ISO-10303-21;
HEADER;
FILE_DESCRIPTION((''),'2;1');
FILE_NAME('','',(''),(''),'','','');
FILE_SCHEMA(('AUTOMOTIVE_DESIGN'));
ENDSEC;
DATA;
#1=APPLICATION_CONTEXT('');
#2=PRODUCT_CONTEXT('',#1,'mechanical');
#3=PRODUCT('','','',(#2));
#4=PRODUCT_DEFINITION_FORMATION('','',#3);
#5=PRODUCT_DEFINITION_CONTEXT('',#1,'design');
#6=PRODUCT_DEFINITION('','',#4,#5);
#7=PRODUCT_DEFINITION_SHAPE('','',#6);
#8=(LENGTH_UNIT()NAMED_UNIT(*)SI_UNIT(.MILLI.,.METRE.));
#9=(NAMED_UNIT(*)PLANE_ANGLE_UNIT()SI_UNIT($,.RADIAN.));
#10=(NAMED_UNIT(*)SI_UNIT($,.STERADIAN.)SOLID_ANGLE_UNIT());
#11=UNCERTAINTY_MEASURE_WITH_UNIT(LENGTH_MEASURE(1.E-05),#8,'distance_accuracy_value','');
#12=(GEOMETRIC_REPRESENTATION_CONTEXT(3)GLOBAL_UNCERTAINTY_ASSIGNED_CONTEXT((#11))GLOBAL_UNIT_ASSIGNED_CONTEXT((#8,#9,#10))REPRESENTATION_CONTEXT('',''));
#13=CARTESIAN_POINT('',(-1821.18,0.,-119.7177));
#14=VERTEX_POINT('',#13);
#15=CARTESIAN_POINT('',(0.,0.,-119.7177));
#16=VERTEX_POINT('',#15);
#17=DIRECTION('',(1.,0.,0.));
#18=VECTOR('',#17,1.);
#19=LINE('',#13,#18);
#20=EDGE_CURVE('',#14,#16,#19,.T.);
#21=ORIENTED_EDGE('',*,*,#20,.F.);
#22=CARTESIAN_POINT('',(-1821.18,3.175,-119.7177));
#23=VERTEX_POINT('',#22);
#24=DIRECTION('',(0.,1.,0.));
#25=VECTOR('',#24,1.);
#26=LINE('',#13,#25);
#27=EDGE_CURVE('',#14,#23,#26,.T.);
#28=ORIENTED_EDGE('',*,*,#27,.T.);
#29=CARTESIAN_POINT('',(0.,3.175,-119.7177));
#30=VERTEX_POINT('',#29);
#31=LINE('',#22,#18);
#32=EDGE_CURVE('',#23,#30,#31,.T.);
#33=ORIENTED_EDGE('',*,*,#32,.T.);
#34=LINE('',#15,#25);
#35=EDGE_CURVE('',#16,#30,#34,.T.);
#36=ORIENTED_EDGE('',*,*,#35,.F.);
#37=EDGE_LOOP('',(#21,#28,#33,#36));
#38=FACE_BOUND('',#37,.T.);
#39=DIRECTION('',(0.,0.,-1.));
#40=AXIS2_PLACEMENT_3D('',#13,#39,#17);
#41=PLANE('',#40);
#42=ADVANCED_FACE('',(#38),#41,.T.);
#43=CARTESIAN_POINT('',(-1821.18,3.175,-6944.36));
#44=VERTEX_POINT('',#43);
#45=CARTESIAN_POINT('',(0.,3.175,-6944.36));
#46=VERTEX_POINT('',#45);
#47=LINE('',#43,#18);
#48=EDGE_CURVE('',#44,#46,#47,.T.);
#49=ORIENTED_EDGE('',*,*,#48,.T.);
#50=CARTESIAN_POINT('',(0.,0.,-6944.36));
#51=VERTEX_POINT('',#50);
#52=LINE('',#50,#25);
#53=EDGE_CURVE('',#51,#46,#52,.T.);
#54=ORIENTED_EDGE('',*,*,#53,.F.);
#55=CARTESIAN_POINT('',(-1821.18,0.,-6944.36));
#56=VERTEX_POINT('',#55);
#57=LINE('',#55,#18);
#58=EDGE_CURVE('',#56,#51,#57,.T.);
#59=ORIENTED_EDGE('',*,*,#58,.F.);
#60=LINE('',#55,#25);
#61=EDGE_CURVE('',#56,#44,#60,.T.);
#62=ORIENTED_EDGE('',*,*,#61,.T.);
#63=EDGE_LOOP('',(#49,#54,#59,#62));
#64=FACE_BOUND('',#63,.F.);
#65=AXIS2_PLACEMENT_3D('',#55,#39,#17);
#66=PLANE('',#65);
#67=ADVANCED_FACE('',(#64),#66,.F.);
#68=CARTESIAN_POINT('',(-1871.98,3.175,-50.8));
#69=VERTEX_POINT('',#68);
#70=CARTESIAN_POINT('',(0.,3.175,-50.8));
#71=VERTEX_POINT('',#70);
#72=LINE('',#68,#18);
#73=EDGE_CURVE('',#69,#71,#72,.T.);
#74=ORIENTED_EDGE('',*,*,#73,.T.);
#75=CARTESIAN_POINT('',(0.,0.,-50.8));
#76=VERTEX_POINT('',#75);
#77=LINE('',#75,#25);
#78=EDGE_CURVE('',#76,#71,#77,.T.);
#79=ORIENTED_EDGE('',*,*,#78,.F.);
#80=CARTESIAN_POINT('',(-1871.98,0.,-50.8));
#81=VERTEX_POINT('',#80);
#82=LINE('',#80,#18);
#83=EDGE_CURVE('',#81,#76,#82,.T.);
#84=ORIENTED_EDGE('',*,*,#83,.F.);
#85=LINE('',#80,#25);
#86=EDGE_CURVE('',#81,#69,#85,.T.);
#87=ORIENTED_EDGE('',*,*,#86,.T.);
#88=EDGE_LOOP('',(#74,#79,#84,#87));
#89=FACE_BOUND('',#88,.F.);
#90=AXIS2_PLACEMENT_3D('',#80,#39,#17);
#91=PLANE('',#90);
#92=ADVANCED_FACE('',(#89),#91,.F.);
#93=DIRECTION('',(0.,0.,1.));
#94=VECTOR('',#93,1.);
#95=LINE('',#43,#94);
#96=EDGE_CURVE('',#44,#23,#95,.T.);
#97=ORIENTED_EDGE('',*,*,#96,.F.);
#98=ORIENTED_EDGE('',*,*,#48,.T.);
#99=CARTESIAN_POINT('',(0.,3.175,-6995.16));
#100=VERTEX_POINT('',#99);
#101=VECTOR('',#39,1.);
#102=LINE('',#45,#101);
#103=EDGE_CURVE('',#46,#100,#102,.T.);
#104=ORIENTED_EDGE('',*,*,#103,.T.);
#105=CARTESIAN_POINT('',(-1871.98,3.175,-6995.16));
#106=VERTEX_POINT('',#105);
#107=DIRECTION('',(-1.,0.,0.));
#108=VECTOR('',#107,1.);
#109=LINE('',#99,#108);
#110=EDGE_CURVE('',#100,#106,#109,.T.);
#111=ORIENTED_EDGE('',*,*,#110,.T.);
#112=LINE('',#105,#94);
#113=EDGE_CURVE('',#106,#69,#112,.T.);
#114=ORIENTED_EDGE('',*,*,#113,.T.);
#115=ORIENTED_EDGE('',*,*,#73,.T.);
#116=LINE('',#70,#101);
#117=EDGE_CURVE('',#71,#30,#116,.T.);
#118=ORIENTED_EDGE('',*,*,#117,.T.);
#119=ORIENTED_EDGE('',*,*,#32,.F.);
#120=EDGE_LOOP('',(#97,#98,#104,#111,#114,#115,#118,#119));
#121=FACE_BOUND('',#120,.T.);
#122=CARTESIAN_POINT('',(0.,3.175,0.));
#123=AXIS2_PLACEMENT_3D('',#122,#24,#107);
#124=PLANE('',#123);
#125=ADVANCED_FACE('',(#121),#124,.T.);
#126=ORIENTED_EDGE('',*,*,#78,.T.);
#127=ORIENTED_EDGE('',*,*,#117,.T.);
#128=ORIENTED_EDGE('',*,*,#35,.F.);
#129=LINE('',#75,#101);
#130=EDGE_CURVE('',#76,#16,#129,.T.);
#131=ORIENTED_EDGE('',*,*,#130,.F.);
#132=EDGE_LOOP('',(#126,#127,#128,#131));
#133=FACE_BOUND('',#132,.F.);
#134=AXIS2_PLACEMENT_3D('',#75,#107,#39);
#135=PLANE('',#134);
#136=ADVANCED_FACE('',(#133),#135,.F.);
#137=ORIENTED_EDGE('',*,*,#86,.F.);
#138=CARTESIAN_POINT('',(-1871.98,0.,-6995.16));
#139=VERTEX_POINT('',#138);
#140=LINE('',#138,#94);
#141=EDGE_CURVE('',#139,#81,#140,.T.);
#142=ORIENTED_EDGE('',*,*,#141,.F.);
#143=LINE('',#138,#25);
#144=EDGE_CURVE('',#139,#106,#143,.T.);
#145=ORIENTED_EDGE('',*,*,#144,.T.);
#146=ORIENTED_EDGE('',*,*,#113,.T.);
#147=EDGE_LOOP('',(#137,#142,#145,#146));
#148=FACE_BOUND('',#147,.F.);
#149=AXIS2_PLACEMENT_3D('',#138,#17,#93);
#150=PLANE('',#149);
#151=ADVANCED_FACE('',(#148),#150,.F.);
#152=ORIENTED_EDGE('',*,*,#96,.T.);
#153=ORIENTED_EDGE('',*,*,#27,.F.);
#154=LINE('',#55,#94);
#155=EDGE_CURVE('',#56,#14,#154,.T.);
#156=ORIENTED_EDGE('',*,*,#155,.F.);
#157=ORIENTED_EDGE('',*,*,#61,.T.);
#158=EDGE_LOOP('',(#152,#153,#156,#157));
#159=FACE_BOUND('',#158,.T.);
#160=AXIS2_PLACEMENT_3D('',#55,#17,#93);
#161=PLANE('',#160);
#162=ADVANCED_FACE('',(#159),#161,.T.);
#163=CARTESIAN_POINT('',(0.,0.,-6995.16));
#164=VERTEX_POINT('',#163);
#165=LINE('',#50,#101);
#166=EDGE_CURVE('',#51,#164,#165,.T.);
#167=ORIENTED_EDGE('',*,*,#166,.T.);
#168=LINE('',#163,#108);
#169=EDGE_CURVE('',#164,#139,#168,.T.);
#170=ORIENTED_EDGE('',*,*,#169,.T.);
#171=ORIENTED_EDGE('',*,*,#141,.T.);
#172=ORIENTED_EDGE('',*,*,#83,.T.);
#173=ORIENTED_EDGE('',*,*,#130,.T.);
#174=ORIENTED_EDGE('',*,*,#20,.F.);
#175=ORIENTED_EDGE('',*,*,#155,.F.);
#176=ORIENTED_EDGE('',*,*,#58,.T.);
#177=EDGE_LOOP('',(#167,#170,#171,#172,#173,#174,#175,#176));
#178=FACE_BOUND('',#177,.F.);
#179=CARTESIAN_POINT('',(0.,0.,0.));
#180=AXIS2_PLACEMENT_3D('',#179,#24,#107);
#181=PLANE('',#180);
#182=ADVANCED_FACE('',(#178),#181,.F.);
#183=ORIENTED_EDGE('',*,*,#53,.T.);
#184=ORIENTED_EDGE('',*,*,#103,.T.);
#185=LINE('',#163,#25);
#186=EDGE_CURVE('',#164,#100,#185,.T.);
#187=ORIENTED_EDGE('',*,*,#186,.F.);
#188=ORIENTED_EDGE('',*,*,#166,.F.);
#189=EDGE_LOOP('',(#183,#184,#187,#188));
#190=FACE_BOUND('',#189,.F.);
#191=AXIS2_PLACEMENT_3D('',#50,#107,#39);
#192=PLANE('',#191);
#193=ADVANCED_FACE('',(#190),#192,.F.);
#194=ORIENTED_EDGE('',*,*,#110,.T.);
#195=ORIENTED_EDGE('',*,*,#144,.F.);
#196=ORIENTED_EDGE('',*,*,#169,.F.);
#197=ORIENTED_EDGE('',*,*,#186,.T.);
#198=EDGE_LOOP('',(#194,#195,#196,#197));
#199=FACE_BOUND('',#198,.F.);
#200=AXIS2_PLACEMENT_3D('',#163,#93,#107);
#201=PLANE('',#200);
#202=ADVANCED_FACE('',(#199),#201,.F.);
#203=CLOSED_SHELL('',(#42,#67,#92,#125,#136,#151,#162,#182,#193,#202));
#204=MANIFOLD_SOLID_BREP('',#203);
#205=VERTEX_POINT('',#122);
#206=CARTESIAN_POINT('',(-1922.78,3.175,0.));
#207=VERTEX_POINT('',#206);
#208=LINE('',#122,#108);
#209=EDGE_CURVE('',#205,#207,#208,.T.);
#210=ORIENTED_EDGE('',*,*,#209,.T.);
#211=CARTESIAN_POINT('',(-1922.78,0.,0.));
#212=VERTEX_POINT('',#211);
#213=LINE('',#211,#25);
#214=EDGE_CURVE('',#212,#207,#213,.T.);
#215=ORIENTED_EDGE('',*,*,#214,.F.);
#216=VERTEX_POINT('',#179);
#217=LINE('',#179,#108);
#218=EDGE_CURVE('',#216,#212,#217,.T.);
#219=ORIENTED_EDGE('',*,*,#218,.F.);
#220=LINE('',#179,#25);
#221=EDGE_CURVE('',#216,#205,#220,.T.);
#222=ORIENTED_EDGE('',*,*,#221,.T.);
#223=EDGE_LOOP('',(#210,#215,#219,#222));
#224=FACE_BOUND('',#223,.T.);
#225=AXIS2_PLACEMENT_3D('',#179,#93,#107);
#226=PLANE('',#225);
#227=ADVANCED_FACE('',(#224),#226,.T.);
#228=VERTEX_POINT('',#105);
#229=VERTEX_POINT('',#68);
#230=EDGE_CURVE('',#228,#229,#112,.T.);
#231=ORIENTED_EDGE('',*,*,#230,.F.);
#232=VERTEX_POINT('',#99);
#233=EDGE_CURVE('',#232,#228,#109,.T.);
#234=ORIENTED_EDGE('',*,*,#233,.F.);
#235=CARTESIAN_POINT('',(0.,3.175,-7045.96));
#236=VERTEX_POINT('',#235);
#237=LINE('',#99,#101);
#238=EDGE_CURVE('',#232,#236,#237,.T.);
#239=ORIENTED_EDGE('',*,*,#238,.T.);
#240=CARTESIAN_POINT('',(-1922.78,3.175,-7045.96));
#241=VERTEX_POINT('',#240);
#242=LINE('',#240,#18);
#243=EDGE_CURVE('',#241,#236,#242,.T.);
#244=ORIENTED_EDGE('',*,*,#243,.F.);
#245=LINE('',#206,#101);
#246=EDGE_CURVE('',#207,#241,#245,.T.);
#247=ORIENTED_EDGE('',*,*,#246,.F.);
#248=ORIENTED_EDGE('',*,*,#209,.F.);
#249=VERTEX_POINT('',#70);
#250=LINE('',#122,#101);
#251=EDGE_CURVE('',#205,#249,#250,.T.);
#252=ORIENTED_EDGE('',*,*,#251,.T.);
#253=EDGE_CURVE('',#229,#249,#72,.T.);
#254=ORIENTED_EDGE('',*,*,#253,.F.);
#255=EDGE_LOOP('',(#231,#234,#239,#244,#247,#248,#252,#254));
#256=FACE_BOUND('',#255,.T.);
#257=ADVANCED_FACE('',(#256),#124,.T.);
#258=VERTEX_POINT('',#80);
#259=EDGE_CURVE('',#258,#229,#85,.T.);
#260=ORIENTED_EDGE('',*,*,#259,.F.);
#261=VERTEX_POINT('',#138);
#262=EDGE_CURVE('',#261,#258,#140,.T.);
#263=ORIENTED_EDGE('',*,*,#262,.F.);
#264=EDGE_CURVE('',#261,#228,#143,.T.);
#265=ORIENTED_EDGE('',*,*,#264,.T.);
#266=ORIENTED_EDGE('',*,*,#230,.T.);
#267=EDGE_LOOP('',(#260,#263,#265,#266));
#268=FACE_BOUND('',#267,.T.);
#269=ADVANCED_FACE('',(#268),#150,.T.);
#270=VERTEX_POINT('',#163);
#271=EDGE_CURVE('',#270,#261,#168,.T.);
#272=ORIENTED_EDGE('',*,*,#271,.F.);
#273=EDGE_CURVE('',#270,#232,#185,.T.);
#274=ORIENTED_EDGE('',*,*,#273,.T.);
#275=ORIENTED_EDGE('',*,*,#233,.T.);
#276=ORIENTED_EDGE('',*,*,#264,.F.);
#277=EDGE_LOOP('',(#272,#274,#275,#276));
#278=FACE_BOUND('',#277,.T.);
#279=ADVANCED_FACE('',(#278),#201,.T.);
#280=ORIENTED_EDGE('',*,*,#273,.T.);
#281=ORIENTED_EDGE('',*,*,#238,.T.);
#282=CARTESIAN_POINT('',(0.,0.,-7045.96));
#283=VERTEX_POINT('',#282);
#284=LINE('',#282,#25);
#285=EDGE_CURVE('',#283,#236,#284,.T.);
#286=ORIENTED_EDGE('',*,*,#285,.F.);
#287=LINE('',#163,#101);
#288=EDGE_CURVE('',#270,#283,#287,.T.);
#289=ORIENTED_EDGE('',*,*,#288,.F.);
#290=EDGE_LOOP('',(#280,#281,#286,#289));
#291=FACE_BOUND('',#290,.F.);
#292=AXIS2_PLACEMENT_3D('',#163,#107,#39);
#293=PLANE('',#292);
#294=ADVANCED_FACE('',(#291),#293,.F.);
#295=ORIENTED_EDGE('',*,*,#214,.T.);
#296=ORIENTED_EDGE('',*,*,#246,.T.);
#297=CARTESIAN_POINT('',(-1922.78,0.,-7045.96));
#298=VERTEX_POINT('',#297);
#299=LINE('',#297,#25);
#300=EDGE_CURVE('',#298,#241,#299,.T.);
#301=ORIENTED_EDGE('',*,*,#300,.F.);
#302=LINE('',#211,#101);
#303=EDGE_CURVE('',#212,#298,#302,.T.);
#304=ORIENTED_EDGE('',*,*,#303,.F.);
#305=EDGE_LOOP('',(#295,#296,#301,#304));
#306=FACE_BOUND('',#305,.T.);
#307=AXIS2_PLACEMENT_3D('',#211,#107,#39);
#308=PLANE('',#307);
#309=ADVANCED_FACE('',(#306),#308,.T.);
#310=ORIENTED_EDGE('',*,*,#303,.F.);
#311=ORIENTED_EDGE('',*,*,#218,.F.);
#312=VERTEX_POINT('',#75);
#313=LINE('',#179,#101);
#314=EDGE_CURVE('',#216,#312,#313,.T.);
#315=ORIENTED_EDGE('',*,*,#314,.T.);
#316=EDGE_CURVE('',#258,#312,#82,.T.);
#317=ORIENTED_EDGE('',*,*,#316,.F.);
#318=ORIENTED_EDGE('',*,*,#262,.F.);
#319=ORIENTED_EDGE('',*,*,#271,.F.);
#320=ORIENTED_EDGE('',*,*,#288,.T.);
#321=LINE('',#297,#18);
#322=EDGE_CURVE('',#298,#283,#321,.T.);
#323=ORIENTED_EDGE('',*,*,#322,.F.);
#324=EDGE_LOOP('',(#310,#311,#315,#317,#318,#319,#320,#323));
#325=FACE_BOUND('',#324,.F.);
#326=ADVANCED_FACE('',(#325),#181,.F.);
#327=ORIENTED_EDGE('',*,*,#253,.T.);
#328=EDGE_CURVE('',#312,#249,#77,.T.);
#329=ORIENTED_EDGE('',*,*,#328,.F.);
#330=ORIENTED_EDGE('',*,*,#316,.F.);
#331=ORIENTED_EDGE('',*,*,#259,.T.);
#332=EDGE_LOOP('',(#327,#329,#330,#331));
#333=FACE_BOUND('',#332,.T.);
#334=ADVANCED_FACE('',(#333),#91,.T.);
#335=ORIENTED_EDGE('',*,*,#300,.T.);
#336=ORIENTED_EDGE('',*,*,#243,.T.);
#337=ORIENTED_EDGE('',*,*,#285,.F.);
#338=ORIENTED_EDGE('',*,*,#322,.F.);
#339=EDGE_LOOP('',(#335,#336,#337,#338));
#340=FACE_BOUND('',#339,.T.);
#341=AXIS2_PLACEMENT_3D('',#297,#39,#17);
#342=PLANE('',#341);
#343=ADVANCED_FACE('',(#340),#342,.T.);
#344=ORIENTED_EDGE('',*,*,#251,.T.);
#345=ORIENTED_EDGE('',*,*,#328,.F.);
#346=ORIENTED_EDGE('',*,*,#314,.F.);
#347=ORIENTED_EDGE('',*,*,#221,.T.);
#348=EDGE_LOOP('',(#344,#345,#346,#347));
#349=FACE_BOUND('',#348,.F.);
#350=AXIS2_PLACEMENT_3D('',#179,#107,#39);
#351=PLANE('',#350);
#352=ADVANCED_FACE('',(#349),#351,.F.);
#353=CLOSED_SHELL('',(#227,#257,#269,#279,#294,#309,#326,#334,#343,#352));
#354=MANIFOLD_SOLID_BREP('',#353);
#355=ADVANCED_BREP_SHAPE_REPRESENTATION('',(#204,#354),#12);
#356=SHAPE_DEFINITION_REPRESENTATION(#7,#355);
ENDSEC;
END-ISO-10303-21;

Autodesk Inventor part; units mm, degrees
ref_plane "YZ Plane" through (0, 0, 0) normal (1, 0, 0) x (0, 1, 0)
ref_plane "XZ Plane" through (0, 0, 0) normal (0, 1, 0) x (-1, 0, 0)
ref_plane "XY Plane" through (0, 0, 0) normal (0, 0, 1) x (1, 0, 0)
sketch "Sketch1" plane through (0, 0, 0) normal (0, 1, 0) x (-1, 0, 0)
  line L0 (0, 0) -> (1922.78, 0)
  line L1 (1922.78, 0) -> (1922.78, -7045.96)
  line L2 (1922.78, -7045.96) -> (0, -7045.96)
  line L3 (0, -6995.16) -> (1871.98, -6995.16)
  line L4 (1871.98, -6995.16) -> (1871.98, -50.8)
  line L5 (1871.98, -50.8) -> (0, -50.8)
  line L6 (0, 0) -> (0, -50.8)
  line L7 (0, -6995.16) -> (0, -7045.96)
  line L8 (1821.18, -6944.36) -> (0, -6944.36)
  line L9 (1821.18, -6944.36) -> (1821.18, -119.7177)
  line L10 (0, -6944.36) -> (0, -6995.16)
  line L11 (1821.18, -119.7177) -> (0, -119.7177)
  line L12 (0, -50.8) -> (0, -119.7177)
  dimension "d0" = 1922.78
  dimension "d1" = 7045.96
  dimension "d2" = 1922.78
  dimension "d3" = 50.8
  dimension "d6" = 50.8
  dimension "d7" = 50.8
extrude "Extrusion1" add sketch "Sketch1" along normal blind 3.175 contours L0 L1 L2 L7 L3 L4 L5 L6
extrude "Extrusion2" add sketch "Sketch1" along normal blind 3.175 separate body contours L5 L4 L3 L10 L8 L9 L11 L12
equation "\"d0\" = d2"
properties part number "Trim_Red_02"
